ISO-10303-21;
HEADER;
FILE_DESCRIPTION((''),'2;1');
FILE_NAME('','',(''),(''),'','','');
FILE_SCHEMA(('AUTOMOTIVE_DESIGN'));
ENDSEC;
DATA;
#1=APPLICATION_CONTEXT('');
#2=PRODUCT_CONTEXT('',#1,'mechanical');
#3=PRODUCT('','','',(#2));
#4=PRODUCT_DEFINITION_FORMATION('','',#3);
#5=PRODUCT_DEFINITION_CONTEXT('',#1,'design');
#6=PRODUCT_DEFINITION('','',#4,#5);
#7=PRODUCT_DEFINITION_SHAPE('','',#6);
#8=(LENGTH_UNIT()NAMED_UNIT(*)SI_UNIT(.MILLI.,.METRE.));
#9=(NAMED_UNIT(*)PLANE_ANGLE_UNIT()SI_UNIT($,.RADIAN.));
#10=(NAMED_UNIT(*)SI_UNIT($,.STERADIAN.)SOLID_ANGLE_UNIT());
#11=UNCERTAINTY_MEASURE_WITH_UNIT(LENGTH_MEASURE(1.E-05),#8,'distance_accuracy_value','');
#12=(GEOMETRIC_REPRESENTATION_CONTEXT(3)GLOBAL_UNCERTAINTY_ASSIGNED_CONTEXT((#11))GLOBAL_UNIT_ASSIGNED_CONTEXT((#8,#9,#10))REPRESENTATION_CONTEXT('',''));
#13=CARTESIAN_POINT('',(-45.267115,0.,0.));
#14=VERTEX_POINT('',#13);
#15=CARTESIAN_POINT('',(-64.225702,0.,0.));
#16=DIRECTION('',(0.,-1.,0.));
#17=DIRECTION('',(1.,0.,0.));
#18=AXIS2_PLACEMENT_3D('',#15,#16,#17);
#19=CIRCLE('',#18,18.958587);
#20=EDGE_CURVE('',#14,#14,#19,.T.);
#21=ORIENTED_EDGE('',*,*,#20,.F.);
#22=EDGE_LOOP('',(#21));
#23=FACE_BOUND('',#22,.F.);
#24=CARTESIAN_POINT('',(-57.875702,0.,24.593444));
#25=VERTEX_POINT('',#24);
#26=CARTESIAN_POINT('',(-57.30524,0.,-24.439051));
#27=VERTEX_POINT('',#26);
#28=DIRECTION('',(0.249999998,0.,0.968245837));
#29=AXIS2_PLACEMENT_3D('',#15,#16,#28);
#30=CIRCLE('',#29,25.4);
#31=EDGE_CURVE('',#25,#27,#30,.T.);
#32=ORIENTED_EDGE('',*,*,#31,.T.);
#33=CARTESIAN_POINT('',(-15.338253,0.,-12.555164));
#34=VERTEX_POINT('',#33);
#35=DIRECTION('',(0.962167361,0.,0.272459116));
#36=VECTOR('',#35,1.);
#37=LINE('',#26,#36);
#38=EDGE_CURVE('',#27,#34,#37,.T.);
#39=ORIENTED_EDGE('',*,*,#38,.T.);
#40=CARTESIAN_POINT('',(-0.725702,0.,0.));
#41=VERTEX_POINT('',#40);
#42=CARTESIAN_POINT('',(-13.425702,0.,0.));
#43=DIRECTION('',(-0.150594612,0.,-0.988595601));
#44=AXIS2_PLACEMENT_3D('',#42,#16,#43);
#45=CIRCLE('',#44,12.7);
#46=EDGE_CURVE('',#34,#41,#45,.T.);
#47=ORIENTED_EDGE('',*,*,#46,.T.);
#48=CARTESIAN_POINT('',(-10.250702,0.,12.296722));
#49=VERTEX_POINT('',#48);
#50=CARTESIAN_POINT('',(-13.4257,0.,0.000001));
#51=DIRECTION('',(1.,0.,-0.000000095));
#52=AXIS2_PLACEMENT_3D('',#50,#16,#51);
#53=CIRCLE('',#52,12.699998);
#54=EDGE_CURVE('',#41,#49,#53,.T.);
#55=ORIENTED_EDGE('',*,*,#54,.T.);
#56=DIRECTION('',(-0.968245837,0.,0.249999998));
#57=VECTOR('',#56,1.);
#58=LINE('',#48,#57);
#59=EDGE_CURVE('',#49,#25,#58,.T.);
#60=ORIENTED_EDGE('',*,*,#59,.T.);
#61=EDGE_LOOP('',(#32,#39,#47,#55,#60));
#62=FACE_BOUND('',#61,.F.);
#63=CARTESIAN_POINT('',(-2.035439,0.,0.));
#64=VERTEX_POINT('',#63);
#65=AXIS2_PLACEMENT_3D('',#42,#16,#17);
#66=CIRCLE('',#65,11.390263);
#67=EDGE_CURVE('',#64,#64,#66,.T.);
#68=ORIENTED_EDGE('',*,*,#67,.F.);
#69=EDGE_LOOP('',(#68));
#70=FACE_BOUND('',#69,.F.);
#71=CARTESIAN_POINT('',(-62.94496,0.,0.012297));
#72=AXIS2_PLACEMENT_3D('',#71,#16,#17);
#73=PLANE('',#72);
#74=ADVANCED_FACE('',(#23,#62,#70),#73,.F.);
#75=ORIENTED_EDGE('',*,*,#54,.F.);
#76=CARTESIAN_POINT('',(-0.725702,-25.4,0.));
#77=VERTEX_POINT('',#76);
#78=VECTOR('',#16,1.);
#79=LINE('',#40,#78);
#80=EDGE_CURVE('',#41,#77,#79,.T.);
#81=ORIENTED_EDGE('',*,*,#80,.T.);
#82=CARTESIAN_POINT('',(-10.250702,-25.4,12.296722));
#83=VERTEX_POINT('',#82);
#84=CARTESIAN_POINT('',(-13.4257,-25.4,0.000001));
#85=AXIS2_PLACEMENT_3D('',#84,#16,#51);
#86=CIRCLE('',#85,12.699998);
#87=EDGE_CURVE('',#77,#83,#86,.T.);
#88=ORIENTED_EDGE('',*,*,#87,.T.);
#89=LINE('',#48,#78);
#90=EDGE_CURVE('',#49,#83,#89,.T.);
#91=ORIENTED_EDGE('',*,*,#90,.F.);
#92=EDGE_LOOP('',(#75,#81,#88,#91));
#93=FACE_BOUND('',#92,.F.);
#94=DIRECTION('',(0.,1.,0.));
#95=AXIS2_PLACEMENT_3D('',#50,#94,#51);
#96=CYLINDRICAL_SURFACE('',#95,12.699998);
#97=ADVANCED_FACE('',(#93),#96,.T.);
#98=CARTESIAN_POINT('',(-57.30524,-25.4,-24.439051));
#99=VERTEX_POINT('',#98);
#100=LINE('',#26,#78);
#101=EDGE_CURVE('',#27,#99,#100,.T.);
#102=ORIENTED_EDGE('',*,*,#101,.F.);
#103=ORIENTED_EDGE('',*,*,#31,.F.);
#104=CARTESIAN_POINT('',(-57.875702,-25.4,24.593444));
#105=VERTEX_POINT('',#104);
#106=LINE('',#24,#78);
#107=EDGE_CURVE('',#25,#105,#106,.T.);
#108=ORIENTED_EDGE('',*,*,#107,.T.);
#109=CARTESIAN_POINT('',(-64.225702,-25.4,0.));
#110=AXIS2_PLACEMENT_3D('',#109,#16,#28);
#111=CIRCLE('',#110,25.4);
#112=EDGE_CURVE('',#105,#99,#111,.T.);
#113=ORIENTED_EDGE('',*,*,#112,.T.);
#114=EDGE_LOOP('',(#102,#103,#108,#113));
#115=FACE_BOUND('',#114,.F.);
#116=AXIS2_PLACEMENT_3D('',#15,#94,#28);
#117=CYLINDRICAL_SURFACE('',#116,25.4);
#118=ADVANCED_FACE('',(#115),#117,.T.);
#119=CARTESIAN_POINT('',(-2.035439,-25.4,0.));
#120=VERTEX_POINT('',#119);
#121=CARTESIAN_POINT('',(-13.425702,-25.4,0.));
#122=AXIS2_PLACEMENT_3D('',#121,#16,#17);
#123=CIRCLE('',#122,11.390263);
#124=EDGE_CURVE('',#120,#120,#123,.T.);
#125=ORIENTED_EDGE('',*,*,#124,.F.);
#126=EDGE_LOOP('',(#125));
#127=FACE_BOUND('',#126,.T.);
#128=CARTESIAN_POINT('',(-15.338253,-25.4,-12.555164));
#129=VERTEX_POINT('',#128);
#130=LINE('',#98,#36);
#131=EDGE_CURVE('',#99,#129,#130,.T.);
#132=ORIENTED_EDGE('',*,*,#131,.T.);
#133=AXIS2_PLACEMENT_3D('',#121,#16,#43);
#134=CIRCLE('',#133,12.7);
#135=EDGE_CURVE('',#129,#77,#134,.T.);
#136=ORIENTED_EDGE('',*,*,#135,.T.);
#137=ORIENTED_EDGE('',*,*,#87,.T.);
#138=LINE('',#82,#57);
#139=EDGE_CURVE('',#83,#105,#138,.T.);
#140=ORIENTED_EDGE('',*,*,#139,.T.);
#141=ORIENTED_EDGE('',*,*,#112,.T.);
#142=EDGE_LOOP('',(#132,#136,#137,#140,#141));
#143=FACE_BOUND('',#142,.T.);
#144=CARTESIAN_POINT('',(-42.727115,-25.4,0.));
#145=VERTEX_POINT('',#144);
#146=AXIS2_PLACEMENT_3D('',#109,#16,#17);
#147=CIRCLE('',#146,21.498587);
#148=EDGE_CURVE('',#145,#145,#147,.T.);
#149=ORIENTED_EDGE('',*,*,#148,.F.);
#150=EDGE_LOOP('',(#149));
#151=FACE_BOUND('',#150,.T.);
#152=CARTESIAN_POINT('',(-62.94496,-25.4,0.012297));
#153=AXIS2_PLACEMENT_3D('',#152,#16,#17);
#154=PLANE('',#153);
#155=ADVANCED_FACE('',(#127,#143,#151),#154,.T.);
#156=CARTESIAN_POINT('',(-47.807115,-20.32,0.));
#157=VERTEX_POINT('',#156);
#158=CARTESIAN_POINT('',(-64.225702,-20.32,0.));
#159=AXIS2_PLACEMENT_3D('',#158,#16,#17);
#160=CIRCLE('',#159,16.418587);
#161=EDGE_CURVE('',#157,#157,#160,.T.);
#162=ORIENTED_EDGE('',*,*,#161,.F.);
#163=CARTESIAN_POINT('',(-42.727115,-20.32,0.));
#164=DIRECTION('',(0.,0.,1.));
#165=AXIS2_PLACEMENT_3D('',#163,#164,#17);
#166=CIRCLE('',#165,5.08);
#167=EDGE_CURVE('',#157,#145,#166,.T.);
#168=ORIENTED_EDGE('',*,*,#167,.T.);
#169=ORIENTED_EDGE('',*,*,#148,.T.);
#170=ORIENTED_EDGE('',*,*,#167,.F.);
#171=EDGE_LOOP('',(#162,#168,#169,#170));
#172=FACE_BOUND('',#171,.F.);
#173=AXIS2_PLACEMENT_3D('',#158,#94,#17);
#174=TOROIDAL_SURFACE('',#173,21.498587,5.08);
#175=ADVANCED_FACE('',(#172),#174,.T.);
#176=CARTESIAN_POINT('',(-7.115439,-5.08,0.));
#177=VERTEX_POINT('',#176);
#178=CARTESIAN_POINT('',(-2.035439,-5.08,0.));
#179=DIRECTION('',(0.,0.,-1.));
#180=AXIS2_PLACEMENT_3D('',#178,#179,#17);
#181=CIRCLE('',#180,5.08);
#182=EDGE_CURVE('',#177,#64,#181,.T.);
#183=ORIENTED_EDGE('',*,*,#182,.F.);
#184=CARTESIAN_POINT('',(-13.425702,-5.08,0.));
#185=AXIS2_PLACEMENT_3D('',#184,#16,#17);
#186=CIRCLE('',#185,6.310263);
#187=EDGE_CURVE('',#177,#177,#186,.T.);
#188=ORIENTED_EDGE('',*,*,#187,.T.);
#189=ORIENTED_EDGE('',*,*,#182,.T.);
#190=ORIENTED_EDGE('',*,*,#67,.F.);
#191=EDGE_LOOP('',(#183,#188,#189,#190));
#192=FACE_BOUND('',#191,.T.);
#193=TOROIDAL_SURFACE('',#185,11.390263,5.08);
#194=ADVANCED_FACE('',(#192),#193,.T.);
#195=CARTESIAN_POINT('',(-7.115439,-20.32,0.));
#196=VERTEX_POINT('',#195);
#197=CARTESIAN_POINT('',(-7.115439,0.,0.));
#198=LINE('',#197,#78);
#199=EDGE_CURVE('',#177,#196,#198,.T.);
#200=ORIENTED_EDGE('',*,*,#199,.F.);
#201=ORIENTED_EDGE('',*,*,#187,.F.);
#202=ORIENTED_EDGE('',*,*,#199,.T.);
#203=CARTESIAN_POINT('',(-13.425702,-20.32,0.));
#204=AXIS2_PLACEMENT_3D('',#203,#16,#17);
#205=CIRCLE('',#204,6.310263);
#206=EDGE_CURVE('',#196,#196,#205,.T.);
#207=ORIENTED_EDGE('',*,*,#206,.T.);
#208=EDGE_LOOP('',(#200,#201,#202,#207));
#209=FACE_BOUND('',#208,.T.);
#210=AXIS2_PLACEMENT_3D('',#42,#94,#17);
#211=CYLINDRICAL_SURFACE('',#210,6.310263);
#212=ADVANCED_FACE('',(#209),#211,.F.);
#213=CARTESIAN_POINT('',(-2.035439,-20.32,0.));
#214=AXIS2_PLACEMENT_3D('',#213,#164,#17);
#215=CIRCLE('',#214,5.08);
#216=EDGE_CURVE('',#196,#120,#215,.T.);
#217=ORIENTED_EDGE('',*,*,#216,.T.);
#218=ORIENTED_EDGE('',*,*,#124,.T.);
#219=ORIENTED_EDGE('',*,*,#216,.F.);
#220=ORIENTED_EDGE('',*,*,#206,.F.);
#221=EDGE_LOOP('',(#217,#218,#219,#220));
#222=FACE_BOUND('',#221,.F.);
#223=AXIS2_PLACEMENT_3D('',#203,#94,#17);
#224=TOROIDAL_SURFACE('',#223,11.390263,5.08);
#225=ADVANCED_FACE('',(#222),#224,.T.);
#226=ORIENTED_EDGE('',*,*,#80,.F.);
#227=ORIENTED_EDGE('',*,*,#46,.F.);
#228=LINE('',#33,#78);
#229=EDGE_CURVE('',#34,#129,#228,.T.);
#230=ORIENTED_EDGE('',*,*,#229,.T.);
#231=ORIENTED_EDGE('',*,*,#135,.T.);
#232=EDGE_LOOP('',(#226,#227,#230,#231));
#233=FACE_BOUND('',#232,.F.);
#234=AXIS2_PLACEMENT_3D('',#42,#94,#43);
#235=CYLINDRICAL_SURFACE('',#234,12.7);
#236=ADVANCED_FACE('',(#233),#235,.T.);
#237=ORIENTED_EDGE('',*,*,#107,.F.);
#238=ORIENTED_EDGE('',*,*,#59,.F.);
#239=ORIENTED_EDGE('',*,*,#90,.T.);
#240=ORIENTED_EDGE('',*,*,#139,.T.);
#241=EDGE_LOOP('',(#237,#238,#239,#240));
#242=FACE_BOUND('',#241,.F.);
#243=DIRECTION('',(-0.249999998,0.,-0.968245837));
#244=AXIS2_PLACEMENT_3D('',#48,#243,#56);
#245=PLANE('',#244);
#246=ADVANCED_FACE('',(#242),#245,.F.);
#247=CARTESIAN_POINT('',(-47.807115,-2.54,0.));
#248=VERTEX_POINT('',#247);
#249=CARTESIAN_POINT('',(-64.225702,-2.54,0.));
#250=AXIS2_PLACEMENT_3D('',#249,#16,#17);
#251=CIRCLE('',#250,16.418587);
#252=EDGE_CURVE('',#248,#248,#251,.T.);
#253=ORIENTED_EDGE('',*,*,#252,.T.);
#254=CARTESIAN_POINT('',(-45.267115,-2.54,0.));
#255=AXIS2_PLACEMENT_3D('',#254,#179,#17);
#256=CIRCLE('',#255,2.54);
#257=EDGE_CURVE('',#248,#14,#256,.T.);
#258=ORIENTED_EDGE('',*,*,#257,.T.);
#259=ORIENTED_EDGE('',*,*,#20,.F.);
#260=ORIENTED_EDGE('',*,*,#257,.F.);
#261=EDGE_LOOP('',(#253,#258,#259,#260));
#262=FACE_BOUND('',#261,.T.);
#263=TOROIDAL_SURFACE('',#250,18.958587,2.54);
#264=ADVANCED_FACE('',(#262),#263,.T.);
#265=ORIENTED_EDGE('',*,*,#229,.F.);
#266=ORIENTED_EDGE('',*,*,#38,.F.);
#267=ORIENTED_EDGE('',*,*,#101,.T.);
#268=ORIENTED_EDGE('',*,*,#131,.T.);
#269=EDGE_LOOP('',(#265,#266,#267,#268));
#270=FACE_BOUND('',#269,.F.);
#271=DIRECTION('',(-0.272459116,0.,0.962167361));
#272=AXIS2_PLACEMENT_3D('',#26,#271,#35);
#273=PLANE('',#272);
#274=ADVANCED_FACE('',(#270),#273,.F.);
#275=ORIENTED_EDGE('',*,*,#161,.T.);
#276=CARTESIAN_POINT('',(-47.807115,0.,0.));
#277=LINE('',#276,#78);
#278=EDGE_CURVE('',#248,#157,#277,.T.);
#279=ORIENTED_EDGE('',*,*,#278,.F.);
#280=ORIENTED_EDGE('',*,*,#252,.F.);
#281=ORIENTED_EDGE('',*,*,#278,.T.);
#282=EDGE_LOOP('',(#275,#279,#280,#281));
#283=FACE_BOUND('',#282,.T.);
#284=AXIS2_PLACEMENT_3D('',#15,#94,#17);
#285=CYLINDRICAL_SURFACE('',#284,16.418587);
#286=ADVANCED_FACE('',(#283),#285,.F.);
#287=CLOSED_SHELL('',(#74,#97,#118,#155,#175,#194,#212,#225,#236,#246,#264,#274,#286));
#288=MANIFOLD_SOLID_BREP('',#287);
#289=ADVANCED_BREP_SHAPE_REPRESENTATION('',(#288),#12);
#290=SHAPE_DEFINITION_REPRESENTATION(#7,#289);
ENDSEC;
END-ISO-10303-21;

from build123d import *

# Parameters (mm, degrees)
F0_R     = 16.418587
F0_R_2   = 6.310263
F1_DEPTH = 25.4
F2_R     = 5.08
F3_R     = 2.54


with BuildPart() as f1:
    # F0 (on Front) → F1 (new body)
    with BuildSketch(Plane.XZ):
        with BuildLine():
            ThreePointArc((-57.30524, -24.439051), (-43.965646, -15.3196), (-38.825702, 0))
            ThreePointArc((-38.825702, 0), (-44.145238, 15.55426), (-57.875702, 24.593444))
            ThreePointArc((-57.875702, 24.593444), (-89.623983, -0.295493), (-57.30524, -24.439051))
        make_face()
        with Locations((-64.225702, 0)):
            Circle(F0_R, mode=Mode.SUBTRACT)
        with BuildLine():
            ThreePointArc((-57.875702, 24.593444), (-44.145238, 15.55426), (-38.825702, 0))
            ThreePointArc((-38.825702, 0), (-43.965646, -15.3196), (-57.30524, -24.439051))
            Line((-57.30524, -24.439051), (-15.338253, -12.555164))
            ThreePointArc((-15.338253, -12.555164), (-25.867667, 2.547056), (-10.250702, 12.296722))
            Line((-10.250702, 12.296722), (-57.875702, 24.593444))
        make_face()
        with BuildLine():
            ThreePointArc((-0.725702, 0), (-3.38547, 7.77713), (-10.250702, 12.296722))
            ThreePointArc((-10.250702, 12.296722), (-25.867667, 2.547056), (-15.338253, -12.555164))
            ThreePointArc((-15.338253, -12.555164), (-5.149211, -9.632741), (-0.725702, 0))
        make_face()
        with Locations((-13.425702, 0)):
            Circle(F0_R_2, mode=Mode.SUBTRACT)
    extrude(amount=F1_DEPTH)

    # F2
    f2_edges = [f1.edges().sort_by_distance(p)[0] for p in [
        (-80.644288, -25.4, 0),
        (-7.115439, -12.7, 0),
        (-19.735965, 0, 0),
        (-19.735965, -25.4, 0),
    ]]
    fillet(f2_edges, radius=F2_R)

    # F3
    f3_edges = [f1.edges().sort_by_distance(p)[0] for p in [
        (-80.644288, 0, 0),
    ]]
    fillet(f3_edges, radius=F3_R)


solid = f1.part
